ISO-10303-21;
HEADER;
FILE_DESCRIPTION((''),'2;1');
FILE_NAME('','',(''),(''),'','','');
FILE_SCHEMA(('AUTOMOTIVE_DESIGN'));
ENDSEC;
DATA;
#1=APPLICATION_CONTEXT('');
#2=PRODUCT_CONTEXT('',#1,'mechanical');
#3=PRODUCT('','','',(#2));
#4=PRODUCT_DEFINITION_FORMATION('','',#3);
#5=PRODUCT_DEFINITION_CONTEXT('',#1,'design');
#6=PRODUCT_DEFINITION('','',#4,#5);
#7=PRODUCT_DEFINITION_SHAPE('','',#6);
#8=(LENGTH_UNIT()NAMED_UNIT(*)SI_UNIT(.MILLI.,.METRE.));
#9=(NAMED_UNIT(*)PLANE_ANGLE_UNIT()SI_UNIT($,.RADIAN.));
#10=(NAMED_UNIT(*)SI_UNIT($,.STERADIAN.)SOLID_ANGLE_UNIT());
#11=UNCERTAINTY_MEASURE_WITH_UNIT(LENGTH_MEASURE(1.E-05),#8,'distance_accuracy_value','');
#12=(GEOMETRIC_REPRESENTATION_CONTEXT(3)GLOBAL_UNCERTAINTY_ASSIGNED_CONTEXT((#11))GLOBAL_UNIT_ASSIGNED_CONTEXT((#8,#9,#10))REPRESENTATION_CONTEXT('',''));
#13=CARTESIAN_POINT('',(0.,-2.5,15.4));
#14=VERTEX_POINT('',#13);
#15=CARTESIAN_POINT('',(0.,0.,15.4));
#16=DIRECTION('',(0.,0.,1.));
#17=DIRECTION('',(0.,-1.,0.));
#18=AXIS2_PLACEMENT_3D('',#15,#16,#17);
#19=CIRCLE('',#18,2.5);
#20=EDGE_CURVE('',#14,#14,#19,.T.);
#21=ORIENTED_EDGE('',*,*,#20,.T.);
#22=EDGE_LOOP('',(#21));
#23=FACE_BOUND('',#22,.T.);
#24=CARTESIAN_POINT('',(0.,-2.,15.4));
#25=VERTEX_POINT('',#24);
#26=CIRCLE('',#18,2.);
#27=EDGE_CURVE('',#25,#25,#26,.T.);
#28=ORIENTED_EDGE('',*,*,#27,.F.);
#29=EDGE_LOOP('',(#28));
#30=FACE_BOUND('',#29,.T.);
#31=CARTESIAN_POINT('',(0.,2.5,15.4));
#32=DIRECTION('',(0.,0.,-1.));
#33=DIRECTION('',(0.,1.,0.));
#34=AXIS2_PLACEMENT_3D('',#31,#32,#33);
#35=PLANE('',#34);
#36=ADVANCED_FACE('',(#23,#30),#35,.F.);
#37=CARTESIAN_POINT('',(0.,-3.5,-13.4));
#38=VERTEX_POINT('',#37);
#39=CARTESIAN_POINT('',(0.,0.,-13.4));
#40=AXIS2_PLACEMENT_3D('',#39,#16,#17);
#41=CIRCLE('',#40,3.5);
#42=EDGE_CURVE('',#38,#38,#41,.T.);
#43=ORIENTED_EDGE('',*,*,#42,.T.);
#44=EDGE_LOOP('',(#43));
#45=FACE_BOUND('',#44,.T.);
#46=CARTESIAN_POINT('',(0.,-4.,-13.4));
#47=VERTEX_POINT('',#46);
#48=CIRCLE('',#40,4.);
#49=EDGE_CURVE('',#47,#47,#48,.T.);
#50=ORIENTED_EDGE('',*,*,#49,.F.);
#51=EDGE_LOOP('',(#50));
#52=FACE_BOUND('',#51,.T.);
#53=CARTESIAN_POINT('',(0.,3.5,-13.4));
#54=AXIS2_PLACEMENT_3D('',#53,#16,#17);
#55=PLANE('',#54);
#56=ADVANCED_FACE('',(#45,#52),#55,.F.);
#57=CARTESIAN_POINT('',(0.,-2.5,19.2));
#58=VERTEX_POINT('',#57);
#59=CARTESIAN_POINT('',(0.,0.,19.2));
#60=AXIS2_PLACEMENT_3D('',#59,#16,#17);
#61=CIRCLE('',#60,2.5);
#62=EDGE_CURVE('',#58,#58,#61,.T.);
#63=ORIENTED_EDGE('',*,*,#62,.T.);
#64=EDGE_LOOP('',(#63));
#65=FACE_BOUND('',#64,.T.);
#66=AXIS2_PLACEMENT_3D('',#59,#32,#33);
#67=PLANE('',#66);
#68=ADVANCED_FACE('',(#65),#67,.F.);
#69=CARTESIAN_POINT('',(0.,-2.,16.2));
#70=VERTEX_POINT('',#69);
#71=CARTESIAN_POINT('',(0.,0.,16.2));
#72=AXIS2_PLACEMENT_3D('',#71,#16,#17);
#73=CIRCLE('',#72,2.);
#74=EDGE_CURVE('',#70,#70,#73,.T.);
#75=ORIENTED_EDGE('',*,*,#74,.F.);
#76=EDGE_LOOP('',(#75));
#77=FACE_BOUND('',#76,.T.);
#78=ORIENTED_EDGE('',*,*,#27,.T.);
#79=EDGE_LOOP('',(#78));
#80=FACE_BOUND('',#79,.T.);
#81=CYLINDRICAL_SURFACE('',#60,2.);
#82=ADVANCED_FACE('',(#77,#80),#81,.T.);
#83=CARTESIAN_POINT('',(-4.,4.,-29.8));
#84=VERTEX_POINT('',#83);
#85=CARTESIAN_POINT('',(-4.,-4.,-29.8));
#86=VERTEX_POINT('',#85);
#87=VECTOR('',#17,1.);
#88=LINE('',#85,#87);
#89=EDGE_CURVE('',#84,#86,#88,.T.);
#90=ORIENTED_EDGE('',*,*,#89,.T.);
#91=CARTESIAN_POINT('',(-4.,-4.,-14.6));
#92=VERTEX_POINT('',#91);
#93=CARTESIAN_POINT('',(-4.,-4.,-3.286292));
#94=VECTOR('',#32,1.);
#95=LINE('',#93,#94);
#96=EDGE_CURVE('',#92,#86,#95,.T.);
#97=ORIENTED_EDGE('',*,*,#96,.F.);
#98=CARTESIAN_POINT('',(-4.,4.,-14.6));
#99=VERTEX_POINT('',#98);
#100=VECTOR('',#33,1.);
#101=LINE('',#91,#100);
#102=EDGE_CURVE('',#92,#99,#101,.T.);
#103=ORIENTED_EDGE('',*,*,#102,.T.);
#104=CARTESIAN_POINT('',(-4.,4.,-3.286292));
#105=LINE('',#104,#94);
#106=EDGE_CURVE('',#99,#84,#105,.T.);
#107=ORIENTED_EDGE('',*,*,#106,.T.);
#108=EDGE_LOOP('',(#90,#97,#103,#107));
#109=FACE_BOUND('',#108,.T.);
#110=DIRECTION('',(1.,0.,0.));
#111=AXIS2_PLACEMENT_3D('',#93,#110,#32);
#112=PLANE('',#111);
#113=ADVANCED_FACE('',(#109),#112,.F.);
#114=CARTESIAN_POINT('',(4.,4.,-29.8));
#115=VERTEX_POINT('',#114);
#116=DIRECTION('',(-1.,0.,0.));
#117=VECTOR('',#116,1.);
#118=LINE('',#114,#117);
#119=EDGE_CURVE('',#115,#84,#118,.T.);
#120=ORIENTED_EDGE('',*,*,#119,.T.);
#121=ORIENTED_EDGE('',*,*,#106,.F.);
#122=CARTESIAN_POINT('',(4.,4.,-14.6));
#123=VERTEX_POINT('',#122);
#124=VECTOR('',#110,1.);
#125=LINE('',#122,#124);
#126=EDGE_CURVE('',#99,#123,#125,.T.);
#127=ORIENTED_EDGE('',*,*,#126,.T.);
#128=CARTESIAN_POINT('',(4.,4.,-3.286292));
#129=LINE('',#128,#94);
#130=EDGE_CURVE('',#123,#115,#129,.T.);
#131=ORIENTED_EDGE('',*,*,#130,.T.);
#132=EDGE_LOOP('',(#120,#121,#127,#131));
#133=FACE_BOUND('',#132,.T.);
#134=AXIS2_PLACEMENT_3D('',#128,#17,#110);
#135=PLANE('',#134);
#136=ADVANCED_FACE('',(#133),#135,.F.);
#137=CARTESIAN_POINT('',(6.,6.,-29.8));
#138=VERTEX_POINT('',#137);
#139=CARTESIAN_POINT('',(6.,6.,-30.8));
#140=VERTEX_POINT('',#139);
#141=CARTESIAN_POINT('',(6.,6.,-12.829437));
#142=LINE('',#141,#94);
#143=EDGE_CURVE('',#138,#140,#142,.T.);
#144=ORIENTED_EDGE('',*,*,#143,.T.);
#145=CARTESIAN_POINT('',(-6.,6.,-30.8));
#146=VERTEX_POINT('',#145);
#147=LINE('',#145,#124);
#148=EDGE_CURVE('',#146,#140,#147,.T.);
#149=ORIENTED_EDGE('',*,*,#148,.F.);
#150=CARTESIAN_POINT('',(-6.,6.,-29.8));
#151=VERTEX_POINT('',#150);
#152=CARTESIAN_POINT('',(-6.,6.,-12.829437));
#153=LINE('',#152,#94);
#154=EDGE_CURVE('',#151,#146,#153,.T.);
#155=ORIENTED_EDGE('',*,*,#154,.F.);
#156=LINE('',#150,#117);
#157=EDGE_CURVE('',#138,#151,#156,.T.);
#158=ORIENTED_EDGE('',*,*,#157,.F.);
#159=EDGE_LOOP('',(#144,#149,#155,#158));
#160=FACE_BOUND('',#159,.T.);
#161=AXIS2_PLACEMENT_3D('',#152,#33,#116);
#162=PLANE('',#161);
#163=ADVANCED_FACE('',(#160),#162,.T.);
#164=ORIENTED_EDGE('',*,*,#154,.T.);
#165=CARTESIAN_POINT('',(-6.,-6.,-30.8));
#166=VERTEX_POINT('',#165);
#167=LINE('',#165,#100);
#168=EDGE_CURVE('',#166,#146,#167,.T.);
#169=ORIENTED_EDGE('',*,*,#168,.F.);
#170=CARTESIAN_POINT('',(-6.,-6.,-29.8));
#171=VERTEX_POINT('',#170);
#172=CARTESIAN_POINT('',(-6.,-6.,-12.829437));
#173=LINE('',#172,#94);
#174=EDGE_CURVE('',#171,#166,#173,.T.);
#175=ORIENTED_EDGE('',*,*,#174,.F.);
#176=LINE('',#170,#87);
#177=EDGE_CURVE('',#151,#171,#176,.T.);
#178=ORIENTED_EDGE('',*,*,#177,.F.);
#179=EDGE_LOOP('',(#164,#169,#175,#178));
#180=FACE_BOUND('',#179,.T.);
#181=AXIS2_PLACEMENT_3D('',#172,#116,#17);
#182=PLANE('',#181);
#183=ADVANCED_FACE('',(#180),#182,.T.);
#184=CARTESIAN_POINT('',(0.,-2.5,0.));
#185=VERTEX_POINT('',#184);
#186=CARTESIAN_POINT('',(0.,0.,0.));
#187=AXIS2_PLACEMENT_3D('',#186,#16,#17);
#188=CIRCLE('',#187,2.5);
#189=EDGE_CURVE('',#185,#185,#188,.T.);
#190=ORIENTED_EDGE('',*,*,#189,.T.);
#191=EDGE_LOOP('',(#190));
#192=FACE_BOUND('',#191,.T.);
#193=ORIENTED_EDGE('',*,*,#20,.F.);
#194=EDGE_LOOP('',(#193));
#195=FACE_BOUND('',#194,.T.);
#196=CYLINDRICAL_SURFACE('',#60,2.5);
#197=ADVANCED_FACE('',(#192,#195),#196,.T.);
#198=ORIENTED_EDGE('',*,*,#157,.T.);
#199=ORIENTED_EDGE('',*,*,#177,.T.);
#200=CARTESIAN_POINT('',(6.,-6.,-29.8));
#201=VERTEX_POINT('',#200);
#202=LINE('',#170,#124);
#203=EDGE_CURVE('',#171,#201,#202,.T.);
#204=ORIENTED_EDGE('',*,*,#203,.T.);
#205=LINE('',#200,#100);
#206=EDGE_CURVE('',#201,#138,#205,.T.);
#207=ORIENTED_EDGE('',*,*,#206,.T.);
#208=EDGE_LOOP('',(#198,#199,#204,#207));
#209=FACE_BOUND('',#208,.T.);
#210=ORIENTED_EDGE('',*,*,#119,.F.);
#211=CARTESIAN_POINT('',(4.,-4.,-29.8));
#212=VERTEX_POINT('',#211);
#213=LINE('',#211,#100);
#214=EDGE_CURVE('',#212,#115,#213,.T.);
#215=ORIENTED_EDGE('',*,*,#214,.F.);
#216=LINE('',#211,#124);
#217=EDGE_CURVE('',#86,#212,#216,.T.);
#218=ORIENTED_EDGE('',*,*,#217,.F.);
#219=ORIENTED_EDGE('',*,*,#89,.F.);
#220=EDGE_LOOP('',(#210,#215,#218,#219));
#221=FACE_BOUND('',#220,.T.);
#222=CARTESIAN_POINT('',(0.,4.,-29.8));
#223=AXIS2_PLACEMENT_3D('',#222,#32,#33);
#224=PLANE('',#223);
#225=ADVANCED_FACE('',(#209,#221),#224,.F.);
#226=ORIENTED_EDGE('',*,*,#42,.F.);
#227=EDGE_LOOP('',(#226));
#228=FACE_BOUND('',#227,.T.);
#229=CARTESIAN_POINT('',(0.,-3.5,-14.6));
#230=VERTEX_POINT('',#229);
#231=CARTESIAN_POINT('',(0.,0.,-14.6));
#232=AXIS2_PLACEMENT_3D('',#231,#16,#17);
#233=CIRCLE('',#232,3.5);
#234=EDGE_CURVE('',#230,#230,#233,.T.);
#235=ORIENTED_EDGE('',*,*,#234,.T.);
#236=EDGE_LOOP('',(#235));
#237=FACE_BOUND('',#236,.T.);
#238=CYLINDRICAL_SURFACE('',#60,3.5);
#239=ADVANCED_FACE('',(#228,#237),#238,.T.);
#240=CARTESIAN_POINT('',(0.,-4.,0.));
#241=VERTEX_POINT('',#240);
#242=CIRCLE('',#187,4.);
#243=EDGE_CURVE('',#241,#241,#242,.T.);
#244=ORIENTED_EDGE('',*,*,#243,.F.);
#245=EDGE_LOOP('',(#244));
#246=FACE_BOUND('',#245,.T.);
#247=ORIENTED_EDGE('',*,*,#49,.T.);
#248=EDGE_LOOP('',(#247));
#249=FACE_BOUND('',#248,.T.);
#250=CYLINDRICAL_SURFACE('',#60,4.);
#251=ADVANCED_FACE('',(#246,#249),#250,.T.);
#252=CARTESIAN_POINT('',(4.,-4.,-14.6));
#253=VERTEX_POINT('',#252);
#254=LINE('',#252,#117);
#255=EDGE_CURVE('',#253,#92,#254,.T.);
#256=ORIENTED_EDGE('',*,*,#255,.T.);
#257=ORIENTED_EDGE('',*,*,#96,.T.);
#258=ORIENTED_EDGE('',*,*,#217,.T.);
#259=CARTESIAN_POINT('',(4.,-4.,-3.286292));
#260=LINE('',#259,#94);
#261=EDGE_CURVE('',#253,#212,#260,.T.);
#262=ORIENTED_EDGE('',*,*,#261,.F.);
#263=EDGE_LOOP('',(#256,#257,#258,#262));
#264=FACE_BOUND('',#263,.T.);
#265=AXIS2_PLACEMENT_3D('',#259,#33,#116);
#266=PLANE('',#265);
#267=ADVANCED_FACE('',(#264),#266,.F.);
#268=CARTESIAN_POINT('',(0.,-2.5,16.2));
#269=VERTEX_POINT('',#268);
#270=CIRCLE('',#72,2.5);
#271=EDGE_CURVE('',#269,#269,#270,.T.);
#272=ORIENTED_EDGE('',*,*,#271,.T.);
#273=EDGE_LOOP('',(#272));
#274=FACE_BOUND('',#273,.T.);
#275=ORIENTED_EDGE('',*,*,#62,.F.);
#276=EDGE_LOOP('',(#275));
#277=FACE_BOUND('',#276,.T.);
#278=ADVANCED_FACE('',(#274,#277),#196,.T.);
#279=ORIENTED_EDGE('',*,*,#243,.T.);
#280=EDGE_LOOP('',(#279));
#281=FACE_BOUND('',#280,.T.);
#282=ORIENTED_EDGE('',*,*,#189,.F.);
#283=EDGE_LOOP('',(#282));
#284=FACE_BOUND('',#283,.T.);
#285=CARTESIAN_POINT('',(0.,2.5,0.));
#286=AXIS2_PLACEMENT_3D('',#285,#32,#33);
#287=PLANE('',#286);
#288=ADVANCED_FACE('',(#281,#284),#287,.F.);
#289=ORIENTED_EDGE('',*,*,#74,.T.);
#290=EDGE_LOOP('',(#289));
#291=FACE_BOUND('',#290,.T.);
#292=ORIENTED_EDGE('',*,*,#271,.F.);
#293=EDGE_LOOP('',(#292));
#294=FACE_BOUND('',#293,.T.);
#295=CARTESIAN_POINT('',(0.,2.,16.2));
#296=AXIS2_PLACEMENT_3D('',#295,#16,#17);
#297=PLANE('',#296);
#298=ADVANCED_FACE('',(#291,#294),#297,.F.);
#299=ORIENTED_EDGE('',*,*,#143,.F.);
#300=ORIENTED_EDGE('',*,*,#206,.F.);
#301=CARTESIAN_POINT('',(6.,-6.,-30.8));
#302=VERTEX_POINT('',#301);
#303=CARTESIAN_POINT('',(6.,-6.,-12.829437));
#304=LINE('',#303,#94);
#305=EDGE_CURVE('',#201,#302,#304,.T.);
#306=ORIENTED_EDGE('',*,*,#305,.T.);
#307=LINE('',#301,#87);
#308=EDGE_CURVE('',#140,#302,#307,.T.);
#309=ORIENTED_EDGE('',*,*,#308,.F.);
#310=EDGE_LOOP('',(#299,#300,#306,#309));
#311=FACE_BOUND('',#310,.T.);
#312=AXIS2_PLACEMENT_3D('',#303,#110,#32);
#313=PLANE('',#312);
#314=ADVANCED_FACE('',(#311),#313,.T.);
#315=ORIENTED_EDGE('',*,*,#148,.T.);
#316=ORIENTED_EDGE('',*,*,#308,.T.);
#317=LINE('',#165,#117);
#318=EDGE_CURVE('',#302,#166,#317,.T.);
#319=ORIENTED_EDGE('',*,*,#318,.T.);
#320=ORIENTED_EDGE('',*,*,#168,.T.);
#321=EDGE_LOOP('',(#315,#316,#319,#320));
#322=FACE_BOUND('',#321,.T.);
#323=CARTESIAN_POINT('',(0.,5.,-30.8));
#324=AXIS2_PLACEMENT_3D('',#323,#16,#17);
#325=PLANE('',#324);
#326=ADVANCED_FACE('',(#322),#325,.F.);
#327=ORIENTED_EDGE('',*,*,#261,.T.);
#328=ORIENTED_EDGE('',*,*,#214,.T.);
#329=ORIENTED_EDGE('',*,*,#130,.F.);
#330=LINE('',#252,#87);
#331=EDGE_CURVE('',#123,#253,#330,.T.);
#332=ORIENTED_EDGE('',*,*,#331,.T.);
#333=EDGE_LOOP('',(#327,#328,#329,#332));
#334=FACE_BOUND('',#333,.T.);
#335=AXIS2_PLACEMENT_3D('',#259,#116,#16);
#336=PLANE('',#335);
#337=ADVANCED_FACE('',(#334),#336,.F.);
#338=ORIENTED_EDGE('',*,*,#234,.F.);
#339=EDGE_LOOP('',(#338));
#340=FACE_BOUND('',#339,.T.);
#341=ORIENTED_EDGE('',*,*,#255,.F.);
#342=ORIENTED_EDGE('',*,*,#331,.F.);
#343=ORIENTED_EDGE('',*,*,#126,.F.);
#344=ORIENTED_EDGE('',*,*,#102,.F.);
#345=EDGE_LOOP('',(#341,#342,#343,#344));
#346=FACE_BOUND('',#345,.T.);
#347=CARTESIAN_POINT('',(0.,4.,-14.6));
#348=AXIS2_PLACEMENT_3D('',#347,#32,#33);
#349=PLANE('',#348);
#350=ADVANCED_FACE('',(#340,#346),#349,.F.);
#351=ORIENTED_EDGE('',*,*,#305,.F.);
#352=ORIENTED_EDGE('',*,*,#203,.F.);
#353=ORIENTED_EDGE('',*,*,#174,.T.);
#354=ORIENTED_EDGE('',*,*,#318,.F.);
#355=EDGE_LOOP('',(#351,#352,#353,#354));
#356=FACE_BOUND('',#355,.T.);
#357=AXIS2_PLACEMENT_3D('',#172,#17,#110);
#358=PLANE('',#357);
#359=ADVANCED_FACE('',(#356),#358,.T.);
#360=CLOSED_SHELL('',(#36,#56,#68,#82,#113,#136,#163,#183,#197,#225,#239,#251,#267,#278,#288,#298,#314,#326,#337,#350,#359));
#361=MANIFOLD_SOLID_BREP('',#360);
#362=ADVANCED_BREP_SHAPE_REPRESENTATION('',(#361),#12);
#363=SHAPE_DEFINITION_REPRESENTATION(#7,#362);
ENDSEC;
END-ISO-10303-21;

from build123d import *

# Parameters (mm, degrees)
SKETCH3_W           = 8
SKETCH3_H           = 8
BOSS_EXTRUDE2_DEPTH = 15.2
SKETCH4_W           = 12
SKETCH4_H           = 12
BOSS_EXTRUDE3_DEPTH = 1


with BuildPart() as part:
    # Sketch1 → Revolve1 (revolve)
    with BuildSketch(Plane(origin=(0, 0, 0), x_dir=(0, 0, -1), z_dir=(1, 0, 0))):
        Polygon((-19.2, 0), (30.8, 0), (30.8, 5), (29.8, 5), (29.8, 4), (14.6, 4), (14.6, 3.5), (13.4, 3.5), (13.4, 4), (0, 4), (0, 2.5), (-15.4, 2.5), (-15.4, 2), (-16.2, 2), (-16.2, 2.5), (-19.2, 2.5), align=None)
    revolve(axis=Axis((0, 0, 19.2), (0, 0, -1)))

    # Sketch3 → Boss-Extrude2 (add)
    with BuildSketch(Plane.XY.offset(-29.8)):
        Rectangle(SKETCH3_W, SKETCH3_H)
    extrude(amount=BOSS_EXTRUDE2_DEPTH)

    # Sketch4 → Boss-Extrude3 (add)
    with BuildSketch(Plane(origin=(0, 0, -30.8), x_dir=(-1, 0, 0), z_dir=(0, 0, -1))):
        Rectangle(SKETCH4_W, SKETCH4_H)
    extrude(amount=-BOSS_EXTRUDE3_DEPTH)


solid = part.part
